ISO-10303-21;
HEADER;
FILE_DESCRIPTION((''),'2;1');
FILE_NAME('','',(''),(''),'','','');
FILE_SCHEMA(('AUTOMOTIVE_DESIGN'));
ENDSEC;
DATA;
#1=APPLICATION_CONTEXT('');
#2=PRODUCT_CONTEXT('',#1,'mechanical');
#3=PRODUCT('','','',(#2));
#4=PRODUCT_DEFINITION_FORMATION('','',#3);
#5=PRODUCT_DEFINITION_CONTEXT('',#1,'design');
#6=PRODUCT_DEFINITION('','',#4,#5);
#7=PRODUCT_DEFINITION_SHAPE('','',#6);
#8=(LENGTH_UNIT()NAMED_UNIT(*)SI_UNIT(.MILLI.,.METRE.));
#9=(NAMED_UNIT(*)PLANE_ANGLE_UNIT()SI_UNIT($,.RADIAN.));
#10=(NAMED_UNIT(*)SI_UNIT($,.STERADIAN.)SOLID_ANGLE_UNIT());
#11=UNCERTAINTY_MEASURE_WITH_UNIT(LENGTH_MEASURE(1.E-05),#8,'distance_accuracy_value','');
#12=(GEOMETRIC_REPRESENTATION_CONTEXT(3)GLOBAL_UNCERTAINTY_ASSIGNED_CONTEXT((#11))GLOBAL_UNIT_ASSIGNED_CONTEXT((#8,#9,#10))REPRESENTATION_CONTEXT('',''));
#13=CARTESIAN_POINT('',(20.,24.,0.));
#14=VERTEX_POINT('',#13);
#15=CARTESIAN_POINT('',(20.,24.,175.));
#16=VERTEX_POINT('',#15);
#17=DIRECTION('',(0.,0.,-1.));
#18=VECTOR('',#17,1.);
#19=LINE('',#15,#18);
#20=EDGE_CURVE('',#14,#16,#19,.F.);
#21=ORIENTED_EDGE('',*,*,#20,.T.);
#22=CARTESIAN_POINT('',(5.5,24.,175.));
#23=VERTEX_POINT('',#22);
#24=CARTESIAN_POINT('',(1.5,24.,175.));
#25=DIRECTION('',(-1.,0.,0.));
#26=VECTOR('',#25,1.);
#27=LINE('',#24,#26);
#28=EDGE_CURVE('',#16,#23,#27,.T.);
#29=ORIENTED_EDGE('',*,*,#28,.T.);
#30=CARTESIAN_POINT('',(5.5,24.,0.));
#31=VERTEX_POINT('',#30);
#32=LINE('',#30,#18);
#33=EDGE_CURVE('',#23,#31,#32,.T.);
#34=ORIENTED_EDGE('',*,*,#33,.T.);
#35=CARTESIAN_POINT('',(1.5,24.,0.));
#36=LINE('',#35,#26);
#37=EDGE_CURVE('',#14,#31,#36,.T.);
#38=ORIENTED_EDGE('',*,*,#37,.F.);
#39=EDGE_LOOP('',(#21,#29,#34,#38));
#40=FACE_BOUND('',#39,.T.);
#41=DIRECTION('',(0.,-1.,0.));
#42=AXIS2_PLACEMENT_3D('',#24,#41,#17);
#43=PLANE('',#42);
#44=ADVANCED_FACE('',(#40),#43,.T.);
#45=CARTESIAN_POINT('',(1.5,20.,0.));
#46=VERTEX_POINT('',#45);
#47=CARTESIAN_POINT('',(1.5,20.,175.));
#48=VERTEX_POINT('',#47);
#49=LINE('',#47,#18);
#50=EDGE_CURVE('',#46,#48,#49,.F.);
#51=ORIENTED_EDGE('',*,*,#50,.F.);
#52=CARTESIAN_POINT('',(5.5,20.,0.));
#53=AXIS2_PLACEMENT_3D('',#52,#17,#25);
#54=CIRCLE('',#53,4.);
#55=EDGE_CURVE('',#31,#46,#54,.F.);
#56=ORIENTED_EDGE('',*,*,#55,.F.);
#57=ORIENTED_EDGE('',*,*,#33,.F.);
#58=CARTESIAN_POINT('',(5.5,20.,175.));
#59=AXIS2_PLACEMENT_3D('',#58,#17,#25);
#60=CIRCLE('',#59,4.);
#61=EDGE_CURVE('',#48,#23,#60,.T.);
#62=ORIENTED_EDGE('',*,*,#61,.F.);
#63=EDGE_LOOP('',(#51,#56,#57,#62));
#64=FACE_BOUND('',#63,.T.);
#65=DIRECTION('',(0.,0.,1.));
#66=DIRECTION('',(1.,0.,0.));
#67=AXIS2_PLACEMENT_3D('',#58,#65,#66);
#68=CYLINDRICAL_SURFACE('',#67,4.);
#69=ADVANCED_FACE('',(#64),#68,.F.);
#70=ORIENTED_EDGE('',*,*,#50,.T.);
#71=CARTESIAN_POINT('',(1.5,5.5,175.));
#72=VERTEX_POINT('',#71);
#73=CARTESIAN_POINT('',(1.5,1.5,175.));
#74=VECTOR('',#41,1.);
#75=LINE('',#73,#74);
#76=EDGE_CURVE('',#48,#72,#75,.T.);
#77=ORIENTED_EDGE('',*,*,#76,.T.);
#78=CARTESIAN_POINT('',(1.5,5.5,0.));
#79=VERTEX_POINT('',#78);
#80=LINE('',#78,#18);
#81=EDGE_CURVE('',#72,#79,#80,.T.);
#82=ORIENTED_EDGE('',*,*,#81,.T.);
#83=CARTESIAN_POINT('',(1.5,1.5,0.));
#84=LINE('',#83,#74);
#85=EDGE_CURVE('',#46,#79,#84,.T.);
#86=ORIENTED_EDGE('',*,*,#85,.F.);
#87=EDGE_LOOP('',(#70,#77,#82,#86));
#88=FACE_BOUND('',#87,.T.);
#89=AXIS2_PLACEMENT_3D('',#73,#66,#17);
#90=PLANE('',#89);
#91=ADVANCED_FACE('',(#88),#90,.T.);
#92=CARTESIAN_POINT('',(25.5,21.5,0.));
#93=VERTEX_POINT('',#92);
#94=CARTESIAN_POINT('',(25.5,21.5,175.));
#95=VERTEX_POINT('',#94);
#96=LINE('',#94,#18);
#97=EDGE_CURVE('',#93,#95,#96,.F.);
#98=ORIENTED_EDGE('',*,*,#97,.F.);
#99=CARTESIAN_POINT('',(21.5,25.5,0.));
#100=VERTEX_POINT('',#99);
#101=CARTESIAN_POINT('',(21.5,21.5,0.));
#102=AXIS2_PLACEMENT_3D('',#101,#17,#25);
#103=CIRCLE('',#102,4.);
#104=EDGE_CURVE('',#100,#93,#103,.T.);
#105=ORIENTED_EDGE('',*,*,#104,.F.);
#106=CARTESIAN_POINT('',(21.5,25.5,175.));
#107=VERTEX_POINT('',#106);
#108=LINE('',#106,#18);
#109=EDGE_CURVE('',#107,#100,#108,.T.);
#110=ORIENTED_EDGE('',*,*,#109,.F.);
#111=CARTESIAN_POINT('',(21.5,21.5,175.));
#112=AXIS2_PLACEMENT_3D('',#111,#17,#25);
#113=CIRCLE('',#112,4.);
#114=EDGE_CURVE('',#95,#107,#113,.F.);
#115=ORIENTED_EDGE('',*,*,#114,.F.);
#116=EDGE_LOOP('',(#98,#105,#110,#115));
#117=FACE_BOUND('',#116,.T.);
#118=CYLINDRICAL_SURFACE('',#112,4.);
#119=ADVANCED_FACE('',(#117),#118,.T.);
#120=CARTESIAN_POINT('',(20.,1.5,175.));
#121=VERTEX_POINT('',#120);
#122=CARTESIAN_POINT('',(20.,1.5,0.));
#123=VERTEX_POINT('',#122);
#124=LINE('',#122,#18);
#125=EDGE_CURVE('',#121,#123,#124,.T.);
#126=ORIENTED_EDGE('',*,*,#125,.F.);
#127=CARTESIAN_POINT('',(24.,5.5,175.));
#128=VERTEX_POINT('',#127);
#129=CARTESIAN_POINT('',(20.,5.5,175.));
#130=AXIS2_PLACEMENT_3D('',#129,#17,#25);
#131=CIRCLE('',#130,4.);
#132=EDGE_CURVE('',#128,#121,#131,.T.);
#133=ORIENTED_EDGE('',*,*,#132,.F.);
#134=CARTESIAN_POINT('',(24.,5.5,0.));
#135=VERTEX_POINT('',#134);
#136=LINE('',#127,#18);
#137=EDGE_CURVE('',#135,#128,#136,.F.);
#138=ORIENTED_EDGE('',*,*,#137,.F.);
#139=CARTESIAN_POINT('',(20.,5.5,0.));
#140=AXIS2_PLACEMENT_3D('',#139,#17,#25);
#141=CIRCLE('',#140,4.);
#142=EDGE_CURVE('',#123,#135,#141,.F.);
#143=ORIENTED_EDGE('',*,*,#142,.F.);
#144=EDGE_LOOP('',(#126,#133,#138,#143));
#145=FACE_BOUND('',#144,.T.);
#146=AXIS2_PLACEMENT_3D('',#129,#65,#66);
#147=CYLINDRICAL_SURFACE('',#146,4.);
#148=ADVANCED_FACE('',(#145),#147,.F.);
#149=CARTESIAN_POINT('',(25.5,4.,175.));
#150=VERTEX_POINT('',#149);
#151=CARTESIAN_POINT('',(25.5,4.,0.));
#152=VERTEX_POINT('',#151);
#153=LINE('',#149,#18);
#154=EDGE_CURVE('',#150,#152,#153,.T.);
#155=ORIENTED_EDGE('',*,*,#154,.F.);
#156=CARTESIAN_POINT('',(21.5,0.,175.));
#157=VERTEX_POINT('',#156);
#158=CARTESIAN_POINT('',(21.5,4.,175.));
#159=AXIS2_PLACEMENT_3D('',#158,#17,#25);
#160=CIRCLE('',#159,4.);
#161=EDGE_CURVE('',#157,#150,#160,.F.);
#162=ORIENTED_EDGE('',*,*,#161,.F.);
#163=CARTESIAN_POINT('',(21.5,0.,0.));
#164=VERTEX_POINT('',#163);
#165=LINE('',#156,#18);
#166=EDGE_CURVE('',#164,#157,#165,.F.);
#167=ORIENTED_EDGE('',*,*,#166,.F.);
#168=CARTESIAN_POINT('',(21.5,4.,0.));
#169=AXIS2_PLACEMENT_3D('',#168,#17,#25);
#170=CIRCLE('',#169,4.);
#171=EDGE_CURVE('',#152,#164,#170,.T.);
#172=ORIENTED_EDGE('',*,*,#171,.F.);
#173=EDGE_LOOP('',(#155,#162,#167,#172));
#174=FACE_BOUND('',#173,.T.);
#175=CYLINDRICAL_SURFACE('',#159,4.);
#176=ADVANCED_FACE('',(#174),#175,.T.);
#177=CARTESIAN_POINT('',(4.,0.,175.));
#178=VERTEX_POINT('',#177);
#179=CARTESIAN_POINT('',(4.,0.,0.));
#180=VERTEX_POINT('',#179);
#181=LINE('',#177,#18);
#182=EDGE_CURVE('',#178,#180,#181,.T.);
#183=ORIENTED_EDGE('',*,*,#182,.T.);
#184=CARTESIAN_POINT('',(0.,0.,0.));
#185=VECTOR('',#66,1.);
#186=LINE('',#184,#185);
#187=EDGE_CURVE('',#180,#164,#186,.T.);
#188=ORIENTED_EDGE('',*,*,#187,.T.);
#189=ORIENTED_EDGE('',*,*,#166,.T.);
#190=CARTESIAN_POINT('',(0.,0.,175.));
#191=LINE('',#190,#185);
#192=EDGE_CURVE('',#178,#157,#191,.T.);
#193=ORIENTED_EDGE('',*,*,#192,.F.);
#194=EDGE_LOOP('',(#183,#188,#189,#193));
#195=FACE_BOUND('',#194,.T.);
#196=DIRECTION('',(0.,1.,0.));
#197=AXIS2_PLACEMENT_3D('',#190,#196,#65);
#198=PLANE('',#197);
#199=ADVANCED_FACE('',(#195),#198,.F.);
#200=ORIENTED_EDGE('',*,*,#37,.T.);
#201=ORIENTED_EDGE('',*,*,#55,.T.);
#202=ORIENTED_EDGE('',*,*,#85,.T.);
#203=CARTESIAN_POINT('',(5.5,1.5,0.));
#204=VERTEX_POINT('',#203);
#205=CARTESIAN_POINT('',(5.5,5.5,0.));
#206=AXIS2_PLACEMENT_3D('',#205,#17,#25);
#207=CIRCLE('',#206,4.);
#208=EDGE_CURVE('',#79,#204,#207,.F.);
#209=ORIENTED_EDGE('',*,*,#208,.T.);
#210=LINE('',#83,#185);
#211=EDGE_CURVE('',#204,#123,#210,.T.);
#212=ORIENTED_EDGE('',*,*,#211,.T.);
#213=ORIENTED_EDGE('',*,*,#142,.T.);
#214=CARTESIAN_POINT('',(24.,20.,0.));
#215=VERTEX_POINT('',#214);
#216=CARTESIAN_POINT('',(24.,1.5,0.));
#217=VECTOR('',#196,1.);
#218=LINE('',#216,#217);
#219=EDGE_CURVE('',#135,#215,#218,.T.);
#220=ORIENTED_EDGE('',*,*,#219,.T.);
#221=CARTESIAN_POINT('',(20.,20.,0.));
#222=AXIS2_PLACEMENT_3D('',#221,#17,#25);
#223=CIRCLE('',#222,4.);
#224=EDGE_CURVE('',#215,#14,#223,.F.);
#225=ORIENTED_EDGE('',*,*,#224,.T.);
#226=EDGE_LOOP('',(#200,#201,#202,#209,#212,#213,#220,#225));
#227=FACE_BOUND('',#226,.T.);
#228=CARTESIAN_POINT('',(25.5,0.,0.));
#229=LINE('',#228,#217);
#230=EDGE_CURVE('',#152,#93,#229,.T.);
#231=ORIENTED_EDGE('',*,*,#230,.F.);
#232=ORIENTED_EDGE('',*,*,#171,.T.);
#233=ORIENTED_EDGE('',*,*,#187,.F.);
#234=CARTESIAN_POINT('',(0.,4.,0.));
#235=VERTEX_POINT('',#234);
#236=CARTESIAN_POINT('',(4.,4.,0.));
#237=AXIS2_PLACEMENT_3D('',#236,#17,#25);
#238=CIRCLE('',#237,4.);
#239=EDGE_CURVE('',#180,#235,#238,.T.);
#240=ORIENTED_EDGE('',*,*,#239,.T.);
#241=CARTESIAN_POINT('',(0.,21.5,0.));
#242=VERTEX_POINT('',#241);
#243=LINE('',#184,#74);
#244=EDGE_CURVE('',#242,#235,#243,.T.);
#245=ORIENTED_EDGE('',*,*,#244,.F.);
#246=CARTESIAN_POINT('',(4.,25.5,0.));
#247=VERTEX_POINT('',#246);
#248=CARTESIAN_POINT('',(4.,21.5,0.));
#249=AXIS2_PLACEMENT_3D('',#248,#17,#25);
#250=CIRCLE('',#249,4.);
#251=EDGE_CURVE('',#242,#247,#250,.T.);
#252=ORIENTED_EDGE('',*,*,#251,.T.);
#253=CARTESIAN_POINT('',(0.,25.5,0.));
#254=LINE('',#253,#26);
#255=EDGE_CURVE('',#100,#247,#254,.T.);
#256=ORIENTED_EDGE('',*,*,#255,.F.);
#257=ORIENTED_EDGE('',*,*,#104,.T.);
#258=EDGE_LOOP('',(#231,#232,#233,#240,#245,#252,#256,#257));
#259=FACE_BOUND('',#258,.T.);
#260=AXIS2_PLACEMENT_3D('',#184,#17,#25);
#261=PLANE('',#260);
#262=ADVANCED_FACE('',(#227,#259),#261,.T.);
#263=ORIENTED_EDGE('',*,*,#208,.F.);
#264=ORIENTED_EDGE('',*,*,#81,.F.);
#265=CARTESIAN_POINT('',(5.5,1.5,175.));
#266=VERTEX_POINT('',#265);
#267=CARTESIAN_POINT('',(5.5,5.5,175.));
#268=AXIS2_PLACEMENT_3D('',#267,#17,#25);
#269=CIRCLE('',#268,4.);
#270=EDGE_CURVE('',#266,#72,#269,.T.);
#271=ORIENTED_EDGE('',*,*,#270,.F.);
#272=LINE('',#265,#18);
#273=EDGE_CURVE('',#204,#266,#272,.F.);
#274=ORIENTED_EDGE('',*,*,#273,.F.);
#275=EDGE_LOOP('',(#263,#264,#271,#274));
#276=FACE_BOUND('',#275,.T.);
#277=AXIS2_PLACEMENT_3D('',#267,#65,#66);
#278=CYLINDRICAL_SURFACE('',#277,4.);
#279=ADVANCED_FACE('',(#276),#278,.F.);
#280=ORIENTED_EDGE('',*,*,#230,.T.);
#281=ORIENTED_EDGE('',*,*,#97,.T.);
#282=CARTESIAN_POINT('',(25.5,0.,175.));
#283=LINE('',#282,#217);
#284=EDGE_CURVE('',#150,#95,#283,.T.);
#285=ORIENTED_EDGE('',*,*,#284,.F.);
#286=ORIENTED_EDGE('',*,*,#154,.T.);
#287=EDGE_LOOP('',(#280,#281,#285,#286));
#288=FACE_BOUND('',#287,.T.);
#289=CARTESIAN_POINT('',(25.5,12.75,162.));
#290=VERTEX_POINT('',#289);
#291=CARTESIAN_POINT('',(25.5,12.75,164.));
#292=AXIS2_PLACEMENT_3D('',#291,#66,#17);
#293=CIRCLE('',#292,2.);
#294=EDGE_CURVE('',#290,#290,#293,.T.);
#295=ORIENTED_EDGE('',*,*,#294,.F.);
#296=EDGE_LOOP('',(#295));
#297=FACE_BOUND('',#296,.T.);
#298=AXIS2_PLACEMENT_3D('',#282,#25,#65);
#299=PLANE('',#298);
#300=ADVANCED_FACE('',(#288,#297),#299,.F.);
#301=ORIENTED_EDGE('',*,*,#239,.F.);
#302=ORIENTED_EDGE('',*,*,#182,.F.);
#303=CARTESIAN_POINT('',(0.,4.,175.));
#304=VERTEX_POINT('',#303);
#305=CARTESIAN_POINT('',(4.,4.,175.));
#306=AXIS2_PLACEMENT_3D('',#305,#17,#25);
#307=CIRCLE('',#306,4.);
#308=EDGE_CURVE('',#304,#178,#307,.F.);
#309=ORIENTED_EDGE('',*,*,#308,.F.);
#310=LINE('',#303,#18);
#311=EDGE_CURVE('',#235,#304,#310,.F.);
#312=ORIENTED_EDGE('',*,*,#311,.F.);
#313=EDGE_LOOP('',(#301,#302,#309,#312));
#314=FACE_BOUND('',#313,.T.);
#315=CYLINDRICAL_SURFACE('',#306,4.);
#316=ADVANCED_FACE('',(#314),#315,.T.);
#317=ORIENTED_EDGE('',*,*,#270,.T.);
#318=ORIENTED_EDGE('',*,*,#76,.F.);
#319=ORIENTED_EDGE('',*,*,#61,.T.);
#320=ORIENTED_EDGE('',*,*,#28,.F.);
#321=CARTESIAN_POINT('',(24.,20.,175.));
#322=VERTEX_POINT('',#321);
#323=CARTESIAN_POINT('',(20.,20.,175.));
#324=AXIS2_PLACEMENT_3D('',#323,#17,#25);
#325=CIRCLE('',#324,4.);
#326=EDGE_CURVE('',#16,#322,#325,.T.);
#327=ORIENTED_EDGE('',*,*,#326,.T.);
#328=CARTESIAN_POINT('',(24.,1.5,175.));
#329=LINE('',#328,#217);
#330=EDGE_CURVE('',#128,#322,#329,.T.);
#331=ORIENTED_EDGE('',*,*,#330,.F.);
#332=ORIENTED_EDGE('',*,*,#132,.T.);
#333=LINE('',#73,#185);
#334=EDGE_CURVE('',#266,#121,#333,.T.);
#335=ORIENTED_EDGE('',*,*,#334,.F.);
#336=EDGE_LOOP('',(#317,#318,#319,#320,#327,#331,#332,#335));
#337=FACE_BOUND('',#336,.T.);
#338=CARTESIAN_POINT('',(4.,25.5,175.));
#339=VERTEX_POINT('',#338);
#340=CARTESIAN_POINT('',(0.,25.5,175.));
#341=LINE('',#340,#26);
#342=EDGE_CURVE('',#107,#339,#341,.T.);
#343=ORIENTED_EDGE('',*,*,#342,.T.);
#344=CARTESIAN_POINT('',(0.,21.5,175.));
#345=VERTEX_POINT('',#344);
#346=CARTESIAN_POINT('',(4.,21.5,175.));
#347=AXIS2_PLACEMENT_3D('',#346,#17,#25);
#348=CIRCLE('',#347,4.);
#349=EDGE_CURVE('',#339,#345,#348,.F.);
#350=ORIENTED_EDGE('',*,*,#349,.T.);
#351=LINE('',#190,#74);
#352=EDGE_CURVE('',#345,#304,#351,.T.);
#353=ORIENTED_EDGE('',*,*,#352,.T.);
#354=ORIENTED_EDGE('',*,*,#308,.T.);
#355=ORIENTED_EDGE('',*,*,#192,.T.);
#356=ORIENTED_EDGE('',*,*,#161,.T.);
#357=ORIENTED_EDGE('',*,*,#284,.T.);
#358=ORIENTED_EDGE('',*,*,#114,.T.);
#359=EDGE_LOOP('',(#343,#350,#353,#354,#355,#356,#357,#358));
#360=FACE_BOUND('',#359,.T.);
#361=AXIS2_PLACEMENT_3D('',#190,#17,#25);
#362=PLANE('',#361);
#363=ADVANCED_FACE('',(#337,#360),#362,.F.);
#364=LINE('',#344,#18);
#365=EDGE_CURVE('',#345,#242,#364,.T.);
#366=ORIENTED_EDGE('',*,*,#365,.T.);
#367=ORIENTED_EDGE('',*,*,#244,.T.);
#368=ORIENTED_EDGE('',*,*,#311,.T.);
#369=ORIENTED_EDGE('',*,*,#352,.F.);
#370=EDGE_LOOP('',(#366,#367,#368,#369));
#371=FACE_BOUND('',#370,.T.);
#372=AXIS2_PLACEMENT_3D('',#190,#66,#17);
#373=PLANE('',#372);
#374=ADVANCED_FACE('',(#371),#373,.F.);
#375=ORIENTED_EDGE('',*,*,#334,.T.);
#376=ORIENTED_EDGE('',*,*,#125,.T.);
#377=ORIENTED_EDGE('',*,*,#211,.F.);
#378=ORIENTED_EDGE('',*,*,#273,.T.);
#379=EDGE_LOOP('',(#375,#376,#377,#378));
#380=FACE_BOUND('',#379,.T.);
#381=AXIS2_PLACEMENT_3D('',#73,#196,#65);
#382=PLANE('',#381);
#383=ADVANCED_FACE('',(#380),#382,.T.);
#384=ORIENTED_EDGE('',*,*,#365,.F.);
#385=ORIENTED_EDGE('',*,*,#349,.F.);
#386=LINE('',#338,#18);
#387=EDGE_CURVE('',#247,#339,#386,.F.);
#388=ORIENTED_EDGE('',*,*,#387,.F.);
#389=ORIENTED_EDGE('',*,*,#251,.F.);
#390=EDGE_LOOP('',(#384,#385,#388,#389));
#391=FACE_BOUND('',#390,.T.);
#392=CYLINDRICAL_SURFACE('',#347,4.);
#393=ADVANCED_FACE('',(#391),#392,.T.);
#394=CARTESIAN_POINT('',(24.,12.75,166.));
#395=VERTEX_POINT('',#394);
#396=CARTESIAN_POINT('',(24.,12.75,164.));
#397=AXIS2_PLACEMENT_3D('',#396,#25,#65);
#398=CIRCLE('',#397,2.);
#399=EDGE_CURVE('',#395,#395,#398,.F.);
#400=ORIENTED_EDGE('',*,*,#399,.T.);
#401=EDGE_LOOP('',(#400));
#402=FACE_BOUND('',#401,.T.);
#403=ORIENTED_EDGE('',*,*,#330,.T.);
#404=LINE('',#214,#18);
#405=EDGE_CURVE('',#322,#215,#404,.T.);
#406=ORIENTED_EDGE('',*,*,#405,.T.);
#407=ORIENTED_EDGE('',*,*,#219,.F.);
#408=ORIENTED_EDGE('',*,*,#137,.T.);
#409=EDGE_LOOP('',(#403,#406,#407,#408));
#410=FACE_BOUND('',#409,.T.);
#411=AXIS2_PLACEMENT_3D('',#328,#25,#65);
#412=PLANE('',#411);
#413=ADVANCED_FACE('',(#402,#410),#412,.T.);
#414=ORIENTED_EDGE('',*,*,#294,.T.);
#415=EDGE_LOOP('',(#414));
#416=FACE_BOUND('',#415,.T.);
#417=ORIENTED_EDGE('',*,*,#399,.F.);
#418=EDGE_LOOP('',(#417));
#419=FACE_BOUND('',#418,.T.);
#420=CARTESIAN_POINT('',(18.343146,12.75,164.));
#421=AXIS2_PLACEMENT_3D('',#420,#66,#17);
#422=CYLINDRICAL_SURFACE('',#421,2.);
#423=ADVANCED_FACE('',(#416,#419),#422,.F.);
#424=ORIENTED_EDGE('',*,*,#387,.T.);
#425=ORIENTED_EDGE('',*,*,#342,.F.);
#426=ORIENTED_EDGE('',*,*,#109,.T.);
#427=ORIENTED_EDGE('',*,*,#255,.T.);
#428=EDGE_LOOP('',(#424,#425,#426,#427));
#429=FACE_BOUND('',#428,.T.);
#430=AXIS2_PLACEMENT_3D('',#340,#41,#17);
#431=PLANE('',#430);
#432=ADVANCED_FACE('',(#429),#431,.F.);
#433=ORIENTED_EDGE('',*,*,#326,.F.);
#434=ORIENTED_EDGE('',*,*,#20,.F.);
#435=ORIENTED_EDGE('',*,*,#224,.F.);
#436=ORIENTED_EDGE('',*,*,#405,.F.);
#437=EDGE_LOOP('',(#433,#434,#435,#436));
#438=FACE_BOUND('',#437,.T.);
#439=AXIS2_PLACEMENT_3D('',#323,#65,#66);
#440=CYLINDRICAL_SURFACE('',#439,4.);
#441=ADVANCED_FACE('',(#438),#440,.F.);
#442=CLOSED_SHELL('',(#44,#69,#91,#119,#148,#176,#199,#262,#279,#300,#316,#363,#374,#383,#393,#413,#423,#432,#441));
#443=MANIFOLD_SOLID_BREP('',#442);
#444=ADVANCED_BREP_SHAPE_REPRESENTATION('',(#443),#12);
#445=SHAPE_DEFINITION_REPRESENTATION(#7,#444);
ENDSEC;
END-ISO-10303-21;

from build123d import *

# Parameters (mm, degrees)
SKETCH4_W           = 25.5
SKETCH4_H           = 25.5
SKETCH4_W_2         = 22.5
SKETCH4_H_2         = 22.5
BOSS_EXTRUDE1_DEPTH = 175
SKETCH5_R           = 2
CUT_EXTRUDE1_DEPTH  = 1.5
FILLET1_R           = 4


with BuildPart() as part:
    # Sketch4 → Boss-Extrude1 (new body)
    with BuildSketch(Plane.XY):
        with Locations((12.75, 12.75)):
            Rectangle(SKETCH4_W, SKETCH4_H)
        with Locations((12.75, 12.75)):
            Rectangle(SKETCH4_W_2, SKETCH4_H_2, mode=Mode.SUBTRACT)
    extrude(amount=BOSS_EXTRUDE1_DEPTH)

    # Sketch5 → Cut-Extrude1 (cut)
    with BuildSketch(Plane(origin=(25.5, 0, 0), x_dir=(0, 0, -1), z_dir=(1, 0, 0))):
        with Locations((-164, 12.75)):
            Circle(SKETCH5_R)
    extrude(amount=-CUT_EXTRUDE1_DEPTH, mode=Mode.SUBTRACT)

    # Fillet1
    fillet1_edges = [part.edges().sort_by_distance(p)[0] for p in [
        (1.5, 1.5, 87.5),
        (24, 1.5, 87.5),
        (24, 24, 87.5),
        (1.5, 24, 87.5),
        (0, 25.5, 87.5),
        (25.5, 25.5, 87.5),
        (25.5, 0, 87.5),
        (0, 0, 87.5),
    ]]
    fillet(fillet1_edges, radius=FILLET1_R)


solid = part.part
